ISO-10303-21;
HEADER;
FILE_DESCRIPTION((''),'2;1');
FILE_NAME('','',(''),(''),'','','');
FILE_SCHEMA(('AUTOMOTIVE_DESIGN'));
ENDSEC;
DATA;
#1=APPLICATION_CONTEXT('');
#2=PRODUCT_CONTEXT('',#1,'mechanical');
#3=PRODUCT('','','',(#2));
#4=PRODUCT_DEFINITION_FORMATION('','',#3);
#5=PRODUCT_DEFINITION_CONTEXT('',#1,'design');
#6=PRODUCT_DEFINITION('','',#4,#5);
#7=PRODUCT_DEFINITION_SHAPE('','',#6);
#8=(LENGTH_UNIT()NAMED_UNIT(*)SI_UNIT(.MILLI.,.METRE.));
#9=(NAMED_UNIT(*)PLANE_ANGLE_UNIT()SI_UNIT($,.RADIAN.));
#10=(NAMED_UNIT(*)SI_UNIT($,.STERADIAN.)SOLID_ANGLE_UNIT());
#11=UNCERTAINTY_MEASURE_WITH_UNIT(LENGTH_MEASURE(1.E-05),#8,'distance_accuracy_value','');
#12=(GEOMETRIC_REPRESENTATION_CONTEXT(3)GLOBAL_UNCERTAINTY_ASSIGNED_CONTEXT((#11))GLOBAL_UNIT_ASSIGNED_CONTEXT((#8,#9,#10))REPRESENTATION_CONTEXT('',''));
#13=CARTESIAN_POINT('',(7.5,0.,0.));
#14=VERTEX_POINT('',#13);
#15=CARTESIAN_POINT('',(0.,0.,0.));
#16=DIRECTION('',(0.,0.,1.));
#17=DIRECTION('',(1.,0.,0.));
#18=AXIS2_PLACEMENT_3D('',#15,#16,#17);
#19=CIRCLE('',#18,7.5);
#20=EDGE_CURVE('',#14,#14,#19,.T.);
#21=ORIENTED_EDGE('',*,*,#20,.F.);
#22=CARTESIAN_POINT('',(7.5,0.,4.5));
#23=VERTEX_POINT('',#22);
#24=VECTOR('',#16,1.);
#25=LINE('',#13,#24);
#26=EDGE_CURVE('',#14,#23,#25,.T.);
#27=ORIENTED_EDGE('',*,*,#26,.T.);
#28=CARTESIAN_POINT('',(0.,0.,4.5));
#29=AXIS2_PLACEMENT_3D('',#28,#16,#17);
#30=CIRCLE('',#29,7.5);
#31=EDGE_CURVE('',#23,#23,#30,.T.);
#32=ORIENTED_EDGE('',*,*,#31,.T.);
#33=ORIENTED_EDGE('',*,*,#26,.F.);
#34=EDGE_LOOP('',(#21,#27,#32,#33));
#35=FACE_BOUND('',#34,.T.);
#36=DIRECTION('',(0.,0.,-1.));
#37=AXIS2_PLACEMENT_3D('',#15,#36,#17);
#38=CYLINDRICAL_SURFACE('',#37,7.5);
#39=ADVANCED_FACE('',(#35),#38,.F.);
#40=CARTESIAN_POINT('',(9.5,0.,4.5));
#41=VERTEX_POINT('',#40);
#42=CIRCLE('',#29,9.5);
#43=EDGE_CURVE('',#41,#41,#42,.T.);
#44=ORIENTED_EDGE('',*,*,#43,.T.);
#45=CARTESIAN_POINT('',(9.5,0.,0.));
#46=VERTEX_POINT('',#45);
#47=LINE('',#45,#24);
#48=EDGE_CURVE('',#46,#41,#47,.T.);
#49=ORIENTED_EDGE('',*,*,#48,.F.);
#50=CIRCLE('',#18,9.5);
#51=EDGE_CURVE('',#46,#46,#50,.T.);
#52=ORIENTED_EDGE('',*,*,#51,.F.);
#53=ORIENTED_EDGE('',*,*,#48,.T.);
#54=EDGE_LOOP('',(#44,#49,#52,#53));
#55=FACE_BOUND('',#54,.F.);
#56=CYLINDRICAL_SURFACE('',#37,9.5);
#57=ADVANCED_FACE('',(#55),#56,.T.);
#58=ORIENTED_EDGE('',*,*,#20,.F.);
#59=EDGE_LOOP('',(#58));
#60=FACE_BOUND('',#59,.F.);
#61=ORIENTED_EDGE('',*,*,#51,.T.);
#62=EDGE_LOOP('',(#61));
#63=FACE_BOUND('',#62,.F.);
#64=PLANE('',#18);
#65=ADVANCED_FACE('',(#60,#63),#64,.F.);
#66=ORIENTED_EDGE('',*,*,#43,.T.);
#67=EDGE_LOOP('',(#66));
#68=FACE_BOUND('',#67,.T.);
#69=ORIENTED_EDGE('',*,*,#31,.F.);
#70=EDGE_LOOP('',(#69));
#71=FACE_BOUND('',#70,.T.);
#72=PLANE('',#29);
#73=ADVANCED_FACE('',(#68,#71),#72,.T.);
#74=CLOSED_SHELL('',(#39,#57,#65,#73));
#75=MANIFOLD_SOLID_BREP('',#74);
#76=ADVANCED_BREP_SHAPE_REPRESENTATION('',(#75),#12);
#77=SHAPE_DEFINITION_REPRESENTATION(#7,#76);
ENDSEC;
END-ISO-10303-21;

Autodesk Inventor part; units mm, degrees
ref_plane "YZ Plane" through (0, 0, 0) normal (1, 0, 0) x (0, 1, 0)
ref_plane "XZ Plane" through (0, 0, 0) normal (0, 1, 0) x (-1, 0, 0)
ref_plane "XY Plane" through (0, 0, 0) normal (0, 0, 1) x (1, 0, 0)
sketch "Sketch1" plane through (0, 0, 0) normal (0, 0, 1) x (1, 0, 0)
  circle A0 centre (0, 0) radius 7.5
  circle A1 centre (0, 0) radius 9.5
  dimension "d0" = 15
  dimension "d1" = 19
extrude "Extrusion1" add sketch "Sketch1" along normal blind 4.5
properties part number "4.5mm 0.5in Hex Spacer"
